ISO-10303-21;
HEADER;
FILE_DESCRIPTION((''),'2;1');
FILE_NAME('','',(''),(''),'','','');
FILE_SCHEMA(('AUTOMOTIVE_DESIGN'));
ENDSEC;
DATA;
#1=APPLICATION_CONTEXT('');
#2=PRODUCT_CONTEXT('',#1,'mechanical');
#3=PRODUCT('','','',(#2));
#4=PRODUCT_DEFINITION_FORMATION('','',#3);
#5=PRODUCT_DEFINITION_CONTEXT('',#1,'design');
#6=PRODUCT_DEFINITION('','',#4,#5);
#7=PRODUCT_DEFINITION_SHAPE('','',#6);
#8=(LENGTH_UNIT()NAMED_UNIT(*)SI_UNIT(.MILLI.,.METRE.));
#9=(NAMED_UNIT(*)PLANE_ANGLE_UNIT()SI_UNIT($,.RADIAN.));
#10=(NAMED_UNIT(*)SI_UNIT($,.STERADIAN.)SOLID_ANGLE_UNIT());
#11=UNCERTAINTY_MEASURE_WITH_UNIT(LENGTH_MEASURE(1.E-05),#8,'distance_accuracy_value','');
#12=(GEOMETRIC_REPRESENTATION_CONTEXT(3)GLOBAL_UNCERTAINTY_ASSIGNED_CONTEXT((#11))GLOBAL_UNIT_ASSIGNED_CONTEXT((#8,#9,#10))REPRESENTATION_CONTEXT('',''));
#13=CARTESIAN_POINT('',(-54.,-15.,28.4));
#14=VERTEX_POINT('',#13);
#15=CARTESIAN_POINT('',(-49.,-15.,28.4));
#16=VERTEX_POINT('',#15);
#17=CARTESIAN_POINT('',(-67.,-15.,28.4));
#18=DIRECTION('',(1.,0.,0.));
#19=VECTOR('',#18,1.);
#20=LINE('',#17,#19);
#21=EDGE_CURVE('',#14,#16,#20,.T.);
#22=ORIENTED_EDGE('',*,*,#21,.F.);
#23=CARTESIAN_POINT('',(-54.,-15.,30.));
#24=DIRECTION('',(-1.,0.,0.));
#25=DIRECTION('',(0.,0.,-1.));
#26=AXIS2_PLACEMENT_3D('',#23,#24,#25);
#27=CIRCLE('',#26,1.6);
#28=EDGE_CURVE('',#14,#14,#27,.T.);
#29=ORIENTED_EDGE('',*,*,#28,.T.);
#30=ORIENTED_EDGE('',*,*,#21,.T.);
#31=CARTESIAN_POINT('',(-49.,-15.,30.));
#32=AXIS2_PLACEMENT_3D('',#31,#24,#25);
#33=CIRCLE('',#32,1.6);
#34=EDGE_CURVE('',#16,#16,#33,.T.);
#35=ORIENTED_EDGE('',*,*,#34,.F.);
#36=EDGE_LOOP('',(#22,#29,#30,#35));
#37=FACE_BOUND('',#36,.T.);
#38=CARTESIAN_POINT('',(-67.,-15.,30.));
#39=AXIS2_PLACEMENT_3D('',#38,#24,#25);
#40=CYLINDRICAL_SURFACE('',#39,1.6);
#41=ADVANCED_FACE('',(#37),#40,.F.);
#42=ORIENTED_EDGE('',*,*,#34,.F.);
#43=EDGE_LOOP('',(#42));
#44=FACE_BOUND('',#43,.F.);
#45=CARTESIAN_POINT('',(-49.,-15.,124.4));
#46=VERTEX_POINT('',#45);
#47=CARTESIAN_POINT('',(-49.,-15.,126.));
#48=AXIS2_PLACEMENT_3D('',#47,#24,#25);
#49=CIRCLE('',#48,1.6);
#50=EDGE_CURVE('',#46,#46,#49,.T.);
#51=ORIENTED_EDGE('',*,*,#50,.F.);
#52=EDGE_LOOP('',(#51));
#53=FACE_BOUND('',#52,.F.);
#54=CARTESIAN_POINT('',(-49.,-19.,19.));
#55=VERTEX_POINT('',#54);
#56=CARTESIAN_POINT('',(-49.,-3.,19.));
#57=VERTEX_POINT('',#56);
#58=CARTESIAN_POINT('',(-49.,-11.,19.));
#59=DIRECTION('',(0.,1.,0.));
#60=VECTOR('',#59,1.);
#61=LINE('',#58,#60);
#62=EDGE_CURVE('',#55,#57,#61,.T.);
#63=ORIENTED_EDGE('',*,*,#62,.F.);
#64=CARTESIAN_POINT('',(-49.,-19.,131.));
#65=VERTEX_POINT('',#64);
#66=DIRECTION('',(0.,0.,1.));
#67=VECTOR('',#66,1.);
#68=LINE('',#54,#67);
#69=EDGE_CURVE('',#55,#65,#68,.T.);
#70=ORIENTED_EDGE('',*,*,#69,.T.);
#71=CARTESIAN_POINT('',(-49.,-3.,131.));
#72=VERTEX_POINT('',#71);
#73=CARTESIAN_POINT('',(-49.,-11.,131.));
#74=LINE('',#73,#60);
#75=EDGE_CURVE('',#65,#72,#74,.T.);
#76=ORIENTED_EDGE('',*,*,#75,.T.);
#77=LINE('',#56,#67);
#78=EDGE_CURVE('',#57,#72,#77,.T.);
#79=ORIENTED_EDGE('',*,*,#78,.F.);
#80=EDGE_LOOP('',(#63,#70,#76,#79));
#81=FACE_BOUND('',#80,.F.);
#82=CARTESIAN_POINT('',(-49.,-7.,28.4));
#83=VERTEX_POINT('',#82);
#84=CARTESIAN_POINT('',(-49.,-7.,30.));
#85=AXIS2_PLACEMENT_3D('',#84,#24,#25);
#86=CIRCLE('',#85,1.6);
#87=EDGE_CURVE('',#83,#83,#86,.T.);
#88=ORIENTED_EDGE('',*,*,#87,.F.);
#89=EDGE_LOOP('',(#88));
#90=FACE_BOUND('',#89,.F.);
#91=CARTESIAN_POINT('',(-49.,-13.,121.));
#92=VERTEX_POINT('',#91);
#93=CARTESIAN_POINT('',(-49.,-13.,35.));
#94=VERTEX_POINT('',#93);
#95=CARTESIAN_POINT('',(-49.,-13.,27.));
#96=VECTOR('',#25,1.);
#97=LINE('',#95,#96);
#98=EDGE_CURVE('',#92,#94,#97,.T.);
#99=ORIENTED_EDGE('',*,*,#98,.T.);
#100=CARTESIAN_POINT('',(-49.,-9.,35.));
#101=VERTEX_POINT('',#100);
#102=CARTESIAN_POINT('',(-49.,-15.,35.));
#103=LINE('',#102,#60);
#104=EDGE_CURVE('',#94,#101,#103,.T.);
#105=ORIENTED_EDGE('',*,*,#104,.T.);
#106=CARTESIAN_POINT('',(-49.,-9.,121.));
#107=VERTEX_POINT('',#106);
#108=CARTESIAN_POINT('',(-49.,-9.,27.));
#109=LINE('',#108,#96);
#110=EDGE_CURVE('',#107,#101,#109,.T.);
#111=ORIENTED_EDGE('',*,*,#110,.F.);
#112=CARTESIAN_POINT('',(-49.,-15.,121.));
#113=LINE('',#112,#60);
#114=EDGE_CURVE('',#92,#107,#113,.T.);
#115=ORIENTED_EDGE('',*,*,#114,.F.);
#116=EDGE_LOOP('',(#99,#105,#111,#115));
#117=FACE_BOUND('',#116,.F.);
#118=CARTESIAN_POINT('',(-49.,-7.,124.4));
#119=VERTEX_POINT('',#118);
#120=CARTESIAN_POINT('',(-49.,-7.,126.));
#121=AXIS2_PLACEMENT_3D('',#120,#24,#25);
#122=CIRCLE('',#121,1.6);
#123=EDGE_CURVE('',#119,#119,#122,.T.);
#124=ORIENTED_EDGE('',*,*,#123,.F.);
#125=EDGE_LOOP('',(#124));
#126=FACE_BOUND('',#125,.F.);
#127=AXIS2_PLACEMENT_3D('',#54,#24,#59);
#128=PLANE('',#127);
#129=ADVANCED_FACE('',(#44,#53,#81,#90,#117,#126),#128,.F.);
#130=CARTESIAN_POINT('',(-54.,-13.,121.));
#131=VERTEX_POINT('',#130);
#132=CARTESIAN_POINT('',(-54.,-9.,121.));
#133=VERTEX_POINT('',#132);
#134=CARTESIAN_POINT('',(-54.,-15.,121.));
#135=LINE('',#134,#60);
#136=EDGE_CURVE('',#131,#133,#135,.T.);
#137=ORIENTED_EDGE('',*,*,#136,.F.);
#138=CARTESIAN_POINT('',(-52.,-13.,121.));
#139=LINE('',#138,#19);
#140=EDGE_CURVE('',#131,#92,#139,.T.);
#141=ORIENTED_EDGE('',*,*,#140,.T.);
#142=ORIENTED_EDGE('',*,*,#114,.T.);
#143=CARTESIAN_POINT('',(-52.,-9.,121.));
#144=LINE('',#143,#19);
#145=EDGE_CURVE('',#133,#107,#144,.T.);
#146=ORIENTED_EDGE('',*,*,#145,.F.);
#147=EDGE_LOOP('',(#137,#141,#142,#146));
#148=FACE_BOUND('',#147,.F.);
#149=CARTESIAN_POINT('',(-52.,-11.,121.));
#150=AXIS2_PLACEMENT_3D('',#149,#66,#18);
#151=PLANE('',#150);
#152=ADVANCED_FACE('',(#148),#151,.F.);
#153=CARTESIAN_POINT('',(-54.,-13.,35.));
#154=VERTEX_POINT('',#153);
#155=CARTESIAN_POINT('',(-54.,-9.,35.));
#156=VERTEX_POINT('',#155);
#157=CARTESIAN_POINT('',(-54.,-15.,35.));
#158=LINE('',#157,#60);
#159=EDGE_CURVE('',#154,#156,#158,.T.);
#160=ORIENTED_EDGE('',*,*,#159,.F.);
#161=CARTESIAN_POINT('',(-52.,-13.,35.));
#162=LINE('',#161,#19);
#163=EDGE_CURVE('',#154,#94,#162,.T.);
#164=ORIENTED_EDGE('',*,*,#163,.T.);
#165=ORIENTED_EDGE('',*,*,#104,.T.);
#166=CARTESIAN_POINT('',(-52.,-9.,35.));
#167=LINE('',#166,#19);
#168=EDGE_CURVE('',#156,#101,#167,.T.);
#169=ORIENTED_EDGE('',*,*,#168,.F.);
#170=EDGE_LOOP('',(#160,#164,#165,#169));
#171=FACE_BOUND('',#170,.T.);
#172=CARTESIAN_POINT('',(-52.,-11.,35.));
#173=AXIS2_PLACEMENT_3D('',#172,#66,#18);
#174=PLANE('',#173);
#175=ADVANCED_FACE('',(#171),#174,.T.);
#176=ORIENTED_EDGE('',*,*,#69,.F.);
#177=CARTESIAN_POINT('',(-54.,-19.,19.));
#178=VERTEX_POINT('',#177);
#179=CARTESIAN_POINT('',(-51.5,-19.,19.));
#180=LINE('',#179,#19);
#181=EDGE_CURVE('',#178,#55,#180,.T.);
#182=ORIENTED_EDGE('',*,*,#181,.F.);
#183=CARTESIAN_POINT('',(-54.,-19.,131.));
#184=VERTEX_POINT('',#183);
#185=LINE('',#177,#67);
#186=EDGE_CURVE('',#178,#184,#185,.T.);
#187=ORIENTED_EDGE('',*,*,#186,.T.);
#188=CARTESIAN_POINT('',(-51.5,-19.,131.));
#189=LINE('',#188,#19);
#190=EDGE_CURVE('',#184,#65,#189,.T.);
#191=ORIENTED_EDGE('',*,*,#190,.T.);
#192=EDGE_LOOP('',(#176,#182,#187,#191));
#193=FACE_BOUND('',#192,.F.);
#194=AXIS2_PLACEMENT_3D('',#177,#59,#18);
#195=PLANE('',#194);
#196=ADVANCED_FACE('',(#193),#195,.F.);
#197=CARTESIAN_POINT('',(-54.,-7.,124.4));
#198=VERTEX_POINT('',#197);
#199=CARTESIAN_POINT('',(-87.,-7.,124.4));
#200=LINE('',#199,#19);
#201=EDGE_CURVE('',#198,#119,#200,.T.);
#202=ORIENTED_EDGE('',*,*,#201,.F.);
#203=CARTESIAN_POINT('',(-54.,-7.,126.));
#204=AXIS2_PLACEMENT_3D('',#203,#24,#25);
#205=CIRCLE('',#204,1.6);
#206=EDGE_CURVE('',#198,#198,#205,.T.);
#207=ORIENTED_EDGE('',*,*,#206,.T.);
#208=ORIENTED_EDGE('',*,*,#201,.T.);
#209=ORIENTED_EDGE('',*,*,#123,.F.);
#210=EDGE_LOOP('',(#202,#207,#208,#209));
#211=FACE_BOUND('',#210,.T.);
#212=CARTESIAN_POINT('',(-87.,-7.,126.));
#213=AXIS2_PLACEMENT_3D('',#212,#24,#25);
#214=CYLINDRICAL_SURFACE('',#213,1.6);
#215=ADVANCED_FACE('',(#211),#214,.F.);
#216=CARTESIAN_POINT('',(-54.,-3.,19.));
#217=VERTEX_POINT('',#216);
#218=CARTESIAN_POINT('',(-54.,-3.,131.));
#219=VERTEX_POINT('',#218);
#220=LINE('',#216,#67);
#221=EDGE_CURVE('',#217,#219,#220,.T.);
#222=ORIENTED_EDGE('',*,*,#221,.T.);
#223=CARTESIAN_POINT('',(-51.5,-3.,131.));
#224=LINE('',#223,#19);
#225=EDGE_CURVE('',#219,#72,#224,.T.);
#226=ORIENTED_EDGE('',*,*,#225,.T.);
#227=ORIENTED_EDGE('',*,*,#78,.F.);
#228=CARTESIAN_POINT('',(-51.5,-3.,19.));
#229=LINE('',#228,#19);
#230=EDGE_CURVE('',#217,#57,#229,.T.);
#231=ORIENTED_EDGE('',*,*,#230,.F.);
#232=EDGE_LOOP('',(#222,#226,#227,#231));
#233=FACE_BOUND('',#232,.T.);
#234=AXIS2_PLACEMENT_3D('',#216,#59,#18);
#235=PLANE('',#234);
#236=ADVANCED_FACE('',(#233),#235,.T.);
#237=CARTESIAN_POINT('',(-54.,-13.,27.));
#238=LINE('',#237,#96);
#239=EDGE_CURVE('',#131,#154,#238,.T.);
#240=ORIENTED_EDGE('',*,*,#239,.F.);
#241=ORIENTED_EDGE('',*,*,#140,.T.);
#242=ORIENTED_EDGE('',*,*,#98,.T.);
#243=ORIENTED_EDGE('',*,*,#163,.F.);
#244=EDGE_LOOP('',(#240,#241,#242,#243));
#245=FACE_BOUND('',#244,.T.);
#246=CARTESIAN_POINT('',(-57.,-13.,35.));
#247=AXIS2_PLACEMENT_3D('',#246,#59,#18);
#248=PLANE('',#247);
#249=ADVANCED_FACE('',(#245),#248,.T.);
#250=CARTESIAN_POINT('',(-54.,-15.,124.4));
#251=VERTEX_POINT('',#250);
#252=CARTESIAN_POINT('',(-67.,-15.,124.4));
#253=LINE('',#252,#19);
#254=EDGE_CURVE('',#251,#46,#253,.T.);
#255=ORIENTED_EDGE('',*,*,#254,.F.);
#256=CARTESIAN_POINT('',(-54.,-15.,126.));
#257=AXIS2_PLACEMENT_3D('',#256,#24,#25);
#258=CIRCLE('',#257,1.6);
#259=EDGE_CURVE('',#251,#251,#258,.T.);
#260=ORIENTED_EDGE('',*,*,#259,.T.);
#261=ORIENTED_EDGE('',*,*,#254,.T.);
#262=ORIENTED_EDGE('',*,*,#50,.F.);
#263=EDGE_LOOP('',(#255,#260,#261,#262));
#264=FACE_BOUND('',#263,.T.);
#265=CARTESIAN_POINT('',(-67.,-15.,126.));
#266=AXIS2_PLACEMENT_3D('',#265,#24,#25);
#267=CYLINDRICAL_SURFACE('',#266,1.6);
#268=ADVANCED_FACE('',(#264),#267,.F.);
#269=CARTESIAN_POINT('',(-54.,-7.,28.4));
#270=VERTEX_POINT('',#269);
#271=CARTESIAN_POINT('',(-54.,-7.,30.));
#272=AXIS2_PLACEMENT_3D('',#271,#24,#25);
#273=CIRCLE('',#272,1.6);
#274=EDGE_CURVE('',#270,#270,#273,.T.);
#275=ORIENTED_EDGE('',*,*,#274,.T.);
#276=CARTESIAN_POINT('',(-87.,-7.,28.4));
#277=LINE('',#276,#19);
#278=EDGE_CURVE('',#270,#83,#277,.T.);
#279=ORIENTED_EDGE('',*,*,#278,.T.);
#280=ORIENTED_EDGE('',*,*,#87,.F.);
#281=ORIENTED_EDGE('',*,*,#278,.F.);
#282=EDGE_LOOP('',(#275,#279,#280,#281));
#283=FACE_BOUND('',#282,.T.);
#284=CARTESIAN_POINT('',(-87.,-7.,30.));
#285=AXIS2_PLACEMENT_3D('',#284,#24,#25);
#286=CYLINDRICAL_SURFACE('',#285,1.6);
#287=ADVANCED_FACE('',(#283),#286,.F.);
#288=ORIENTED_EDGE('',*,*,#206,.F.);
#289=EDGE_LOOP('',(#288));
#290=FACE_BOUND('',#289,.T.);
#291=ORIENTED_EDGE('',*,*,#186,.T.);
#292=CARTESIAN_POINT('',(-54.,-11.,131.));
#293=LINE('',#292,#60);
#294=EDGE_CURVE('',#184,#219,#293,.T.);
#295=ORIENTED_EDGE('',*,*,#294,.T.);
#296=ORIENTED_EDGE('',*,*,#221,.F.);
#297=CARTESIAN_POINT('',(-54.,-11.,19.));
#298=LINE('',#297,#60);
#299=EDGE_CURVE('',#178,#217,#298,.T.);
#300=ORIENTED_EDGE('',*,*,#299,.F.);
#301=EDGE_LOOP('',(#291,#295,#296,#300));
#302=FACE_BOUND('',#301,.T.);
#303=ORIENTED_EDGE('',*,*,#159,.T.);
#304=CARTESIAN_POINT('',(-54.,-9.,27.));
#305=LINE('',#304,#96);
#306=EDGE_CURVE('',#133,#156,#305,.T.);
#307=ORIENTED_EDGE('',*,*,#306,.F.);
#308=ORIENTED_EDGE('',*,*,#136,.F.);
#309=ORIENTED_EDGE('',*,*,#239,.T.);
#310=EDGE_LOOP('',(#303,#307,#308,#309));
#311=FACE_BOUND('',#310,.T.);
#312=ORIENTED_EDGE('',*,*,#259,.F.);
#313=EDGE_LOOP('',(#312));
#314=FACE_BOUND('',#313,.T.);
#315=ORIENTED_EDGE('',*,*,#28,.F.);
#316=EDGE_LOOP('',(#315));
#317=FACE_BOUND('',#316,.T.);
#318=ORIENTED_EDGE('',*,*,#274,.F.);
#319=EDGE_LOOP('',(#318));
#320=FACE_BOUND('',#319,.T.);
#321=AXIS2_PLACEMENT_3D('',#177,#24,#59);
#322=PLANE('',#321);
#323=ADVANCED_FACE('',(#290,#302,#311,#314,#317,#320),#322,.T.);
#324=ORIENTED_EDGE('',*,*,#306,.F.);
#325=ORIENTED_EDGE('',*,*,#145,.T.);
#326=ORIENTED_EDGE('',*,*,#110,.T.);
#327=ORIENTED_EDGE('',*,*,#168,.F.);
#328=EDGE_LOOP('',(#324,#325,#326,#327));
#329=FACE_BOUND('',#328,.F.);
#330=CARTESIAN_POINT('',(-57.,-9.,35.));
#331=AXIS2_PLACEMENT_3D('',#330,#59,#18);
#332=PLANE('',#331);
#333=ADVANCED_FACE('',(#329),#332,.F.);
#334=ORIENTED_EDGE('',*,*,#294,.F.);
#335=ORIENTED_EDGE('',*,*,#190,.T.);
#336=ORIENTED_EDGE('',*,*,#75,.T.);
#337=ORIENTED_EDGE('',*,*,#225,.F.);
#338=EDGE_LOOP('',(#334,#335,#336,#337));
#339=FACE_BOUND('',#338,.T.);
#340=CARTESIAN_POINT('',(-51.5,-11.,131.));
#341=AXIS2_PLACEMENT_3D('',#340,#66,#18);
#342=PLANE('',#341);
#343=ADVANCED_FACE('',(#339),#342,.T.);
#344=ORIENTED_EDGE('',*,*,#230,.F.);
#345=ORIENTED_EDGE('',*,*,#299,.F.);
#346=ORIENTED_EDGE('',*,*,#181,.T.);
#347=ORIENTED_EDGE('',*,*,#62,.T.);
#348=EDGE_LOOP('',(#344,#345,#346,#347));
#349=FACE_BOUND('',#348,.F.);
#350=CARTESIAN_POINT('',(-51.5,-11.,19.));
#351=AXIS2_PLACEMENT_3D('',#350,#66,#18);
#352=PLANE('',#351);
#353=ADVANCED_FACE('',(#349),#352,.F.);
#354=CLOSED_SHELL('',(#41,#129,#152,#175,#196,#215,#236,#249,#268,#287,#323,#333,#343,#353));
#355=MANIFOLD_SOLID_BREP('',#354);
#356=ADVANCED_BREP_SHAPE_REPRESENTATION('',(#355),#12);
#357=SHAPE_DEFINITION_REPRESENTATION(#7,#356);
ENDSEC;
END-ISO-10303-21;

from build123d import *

# Parameters (mm, degrees)
CYLINDER075_R           = 1.6
CYLINDER075_DEPTH       = 40
CYLINDER075_PITCH_ANGLE = 90
CYLINDER065_R           = 1.6
CYLINDER065_DEPTH       = 40
CYLINDER065_PITCH_ANGLE = 90
CYLINDER064_R           = 1.6
CYLINDER064_DEPTH       = 40
CYLINDER064_PITCH_ANGLE = 90
CYLINDER074_R           = 1.6
CYLINDER074_DEPTH       = 40
CYLINDER074_PITCH_ANGLE = 90
CYLINDER072_R           = 1.6
CYLINDER072_DEPTH       = 40
CYLINDER072_PITCH_ANGLE = 90
CYLINDER071_R           = 1.6
CYLINDER071_DEPTH       = 40
CYLINDER071_PITCH_ANGLE = 90
BOX021_W                = 10
BOX021_H                = 4
BOX021_DEPTH            = 86
BOX020_W                = 5
BOX020_H                = 16
BOX020_DEPTH            = 112


with BuildPart() as cylinder353:
    # Cylinder075 → Cylinder075 (new body)
    with BuildSketch(Plane.XY):
        Circle(CYLINDER075_R)
    extrude(amount=CYLINDER075_DEPTH)


with BuildPart() as cylinder353_1:
    # Cylinder075 pitch: moved
    add(cylinder353.part.rotate(Axis((0, 0, 0), (0, 1, 0)), CYLINDER075_PITCH_ANGLE))


with BuildPart() as cylinder353_2:
    # Cylinder075 placement: moved
    add(cylinder353_1.part.moved(Location((-67, 7, 126))))


with BuildPart() as cylinder343:
    # Cylinder065 → Cylinder065 (new body)
    with BuildSketch(Plane.XY):
        Circle(CYLINDER065_R)
    extrude(amount=CYLINDER065_DEPTH)


with BuildPart() as cylinder343_1:
    # Cylinder065 pitch: moved
    add(cylinder343.part.rotate(Axis((0, 0, 0), (0, 1, 0)), CYLINDER065_PITCH_ANGLE))


with BuildPart() as cylinder343_2:
    # Cylinder065 placement: moved
    add(cylinder343_1.part.moved(Location((-67, -15, 30))))


with BuildPart() as rocker_screw_holes_d:
    # Cylinder064 → Cylinder064 (new body)
    with BuildSketch(Plane.XY):
        Circle(CYLINDER064_R)
    extrude(amount=CYLINDER064_DEPTH)


with BuildPart() as rocker_screw_holes_d_1:
    # Cylinder064 pitch: moved
    add(rocker_screw_holes_d.part.rotate(Axis((0, 0, 0), (0, 1, 0)), CYLINDER064_PITCH_ANGLE))


with BuildPart() as rocker_screw_holes_d_2:
    # Cylinder064 placement: moved
    add(rocker_screw_holes_d_1.part.moved(Location((-87, -7, 30))))

    # Fusion042: union Cylinder343
    add(cylinder343_2.part)


with BuildPart() as rocker_screw_holes_d_3:
    # Fusion042 placement: moved
    add(rocker_screw_holes_d_2.part.moved(Location((0, 0, 96))))

    # Fusion050: union Cylinder353
    add(cylinder353_2.part)


with BuildPart() as cylinder352:
    # Cylinder074 → Cylinder074 (new body)
    with BuildSketch(Plane.XY):
        Circle(CYLINDER074_R)
    extrude(amount=CYLINDER074_DEPTH)


with BuildPart() as cylinder352_1:
    # Cylinder074 pitch: moved
    add(cylinder352.part.rotate(Axis((0, 0, 0), (0, 1, 0)), CYLINDER074_PITCH_ANGLE))


with BuildPart() as cylinder352_2:
    # Cylinder074 placement: moved
    add(cylinder352_1.part.moved(Location((-67, 7, 30))))


with BuildPart() as cylinder350:
    # Cylinder072 → Cylinder072 (new body)
    with BuildSketch(Plane.XY):
        Circle(CYLINDER072_R)
    extrude(amount=CYLINDER072_DEPTH)


with BuildPart() as cylinder350_1:
    # Cylinder072 pitch: moved
    add(cylinder350.part.rotate(Axis((0, 0, 0), (0, 1, 0)), CYLINDER072_PITCH_ANGLE))


with BuildPart() as cylinder350_2:
    # Cylinder072 placement: moved
    add(cylinder350_1.part.moved(Location((-67, -15, 30))))


with BuildPart() as rocker_screw_holes_c:
    # Cylinder071 → Cylinder071 (new body)
    with BuildSketch(Plane.XY):
        Circle(CYLINDER071_R)
    extrude(amount=CYLINDER071_DEPTH)


with BuildPart() as rocker_screw_holes_c_1:
    # Cylinder071 pitch: moved
    add(rocker_screw_holes_c.part.rotate(Axis((0, 0, 0), (0, 1, 0)), CYLINDER071_PITCH_ANGLE))


with BuildPart() as rocker_screw_holes_c_2:
    # Cylinder071 placement: moved
    add(rocker_screw_holes_c_1.part.moved(Location((-87, -7, 30))))

    # Fusion047: union Cylinder350
    add(cylinder350_2.part)

    # Fusion049: union Cylinder352
    add(cylinder352_2.part)


with BuildPart() as string_hole001:
    # Box021 → Box021 (new body)
    with BuildSketch(Plane(origin=(-46, -13, 35), x_dir=(1, 0, 0), z_dir=(0, 0, 1))):
        with Locations((5, 2)):
            Rectangle(BOX021_W, BOX021_H)
    extrude(amount=BOX021_DEPTH)


with BuildPart() as string_slot_c:
    # Box020 → Box020 (new body)
    with BuildSketch(Plane(origin=(-43, -19, 19), x_dir=(1, 0, 0), z_dir=(0, 0, 1))):
        with Locations((2.5, 8)):
            Rectangle(BOX020_W, BOX020_H)
    extrude(amount=BOX020_DEPTH)

    # Cut031: cut string-hole001
    add(string_hole001.part, mode=Mode.SUBTRACT)


with BuildPart() as string_slot_c_1:
    # Cut031 placement: moved
    add(string_slot_c.part.moved(Location((-11, 0, 0))))

    # Cut041: cut rocker-screw-holes-c
    add(rocker_screw_holes_c_2.part, mode=Mode.SUBTRACT)

    # Cut042: cut rocker-screw-holes-d
    add(rocker_screw_holes_d_3.part, mode=Mode.SUBTRACT)


solid = string_slot_c_1.part
